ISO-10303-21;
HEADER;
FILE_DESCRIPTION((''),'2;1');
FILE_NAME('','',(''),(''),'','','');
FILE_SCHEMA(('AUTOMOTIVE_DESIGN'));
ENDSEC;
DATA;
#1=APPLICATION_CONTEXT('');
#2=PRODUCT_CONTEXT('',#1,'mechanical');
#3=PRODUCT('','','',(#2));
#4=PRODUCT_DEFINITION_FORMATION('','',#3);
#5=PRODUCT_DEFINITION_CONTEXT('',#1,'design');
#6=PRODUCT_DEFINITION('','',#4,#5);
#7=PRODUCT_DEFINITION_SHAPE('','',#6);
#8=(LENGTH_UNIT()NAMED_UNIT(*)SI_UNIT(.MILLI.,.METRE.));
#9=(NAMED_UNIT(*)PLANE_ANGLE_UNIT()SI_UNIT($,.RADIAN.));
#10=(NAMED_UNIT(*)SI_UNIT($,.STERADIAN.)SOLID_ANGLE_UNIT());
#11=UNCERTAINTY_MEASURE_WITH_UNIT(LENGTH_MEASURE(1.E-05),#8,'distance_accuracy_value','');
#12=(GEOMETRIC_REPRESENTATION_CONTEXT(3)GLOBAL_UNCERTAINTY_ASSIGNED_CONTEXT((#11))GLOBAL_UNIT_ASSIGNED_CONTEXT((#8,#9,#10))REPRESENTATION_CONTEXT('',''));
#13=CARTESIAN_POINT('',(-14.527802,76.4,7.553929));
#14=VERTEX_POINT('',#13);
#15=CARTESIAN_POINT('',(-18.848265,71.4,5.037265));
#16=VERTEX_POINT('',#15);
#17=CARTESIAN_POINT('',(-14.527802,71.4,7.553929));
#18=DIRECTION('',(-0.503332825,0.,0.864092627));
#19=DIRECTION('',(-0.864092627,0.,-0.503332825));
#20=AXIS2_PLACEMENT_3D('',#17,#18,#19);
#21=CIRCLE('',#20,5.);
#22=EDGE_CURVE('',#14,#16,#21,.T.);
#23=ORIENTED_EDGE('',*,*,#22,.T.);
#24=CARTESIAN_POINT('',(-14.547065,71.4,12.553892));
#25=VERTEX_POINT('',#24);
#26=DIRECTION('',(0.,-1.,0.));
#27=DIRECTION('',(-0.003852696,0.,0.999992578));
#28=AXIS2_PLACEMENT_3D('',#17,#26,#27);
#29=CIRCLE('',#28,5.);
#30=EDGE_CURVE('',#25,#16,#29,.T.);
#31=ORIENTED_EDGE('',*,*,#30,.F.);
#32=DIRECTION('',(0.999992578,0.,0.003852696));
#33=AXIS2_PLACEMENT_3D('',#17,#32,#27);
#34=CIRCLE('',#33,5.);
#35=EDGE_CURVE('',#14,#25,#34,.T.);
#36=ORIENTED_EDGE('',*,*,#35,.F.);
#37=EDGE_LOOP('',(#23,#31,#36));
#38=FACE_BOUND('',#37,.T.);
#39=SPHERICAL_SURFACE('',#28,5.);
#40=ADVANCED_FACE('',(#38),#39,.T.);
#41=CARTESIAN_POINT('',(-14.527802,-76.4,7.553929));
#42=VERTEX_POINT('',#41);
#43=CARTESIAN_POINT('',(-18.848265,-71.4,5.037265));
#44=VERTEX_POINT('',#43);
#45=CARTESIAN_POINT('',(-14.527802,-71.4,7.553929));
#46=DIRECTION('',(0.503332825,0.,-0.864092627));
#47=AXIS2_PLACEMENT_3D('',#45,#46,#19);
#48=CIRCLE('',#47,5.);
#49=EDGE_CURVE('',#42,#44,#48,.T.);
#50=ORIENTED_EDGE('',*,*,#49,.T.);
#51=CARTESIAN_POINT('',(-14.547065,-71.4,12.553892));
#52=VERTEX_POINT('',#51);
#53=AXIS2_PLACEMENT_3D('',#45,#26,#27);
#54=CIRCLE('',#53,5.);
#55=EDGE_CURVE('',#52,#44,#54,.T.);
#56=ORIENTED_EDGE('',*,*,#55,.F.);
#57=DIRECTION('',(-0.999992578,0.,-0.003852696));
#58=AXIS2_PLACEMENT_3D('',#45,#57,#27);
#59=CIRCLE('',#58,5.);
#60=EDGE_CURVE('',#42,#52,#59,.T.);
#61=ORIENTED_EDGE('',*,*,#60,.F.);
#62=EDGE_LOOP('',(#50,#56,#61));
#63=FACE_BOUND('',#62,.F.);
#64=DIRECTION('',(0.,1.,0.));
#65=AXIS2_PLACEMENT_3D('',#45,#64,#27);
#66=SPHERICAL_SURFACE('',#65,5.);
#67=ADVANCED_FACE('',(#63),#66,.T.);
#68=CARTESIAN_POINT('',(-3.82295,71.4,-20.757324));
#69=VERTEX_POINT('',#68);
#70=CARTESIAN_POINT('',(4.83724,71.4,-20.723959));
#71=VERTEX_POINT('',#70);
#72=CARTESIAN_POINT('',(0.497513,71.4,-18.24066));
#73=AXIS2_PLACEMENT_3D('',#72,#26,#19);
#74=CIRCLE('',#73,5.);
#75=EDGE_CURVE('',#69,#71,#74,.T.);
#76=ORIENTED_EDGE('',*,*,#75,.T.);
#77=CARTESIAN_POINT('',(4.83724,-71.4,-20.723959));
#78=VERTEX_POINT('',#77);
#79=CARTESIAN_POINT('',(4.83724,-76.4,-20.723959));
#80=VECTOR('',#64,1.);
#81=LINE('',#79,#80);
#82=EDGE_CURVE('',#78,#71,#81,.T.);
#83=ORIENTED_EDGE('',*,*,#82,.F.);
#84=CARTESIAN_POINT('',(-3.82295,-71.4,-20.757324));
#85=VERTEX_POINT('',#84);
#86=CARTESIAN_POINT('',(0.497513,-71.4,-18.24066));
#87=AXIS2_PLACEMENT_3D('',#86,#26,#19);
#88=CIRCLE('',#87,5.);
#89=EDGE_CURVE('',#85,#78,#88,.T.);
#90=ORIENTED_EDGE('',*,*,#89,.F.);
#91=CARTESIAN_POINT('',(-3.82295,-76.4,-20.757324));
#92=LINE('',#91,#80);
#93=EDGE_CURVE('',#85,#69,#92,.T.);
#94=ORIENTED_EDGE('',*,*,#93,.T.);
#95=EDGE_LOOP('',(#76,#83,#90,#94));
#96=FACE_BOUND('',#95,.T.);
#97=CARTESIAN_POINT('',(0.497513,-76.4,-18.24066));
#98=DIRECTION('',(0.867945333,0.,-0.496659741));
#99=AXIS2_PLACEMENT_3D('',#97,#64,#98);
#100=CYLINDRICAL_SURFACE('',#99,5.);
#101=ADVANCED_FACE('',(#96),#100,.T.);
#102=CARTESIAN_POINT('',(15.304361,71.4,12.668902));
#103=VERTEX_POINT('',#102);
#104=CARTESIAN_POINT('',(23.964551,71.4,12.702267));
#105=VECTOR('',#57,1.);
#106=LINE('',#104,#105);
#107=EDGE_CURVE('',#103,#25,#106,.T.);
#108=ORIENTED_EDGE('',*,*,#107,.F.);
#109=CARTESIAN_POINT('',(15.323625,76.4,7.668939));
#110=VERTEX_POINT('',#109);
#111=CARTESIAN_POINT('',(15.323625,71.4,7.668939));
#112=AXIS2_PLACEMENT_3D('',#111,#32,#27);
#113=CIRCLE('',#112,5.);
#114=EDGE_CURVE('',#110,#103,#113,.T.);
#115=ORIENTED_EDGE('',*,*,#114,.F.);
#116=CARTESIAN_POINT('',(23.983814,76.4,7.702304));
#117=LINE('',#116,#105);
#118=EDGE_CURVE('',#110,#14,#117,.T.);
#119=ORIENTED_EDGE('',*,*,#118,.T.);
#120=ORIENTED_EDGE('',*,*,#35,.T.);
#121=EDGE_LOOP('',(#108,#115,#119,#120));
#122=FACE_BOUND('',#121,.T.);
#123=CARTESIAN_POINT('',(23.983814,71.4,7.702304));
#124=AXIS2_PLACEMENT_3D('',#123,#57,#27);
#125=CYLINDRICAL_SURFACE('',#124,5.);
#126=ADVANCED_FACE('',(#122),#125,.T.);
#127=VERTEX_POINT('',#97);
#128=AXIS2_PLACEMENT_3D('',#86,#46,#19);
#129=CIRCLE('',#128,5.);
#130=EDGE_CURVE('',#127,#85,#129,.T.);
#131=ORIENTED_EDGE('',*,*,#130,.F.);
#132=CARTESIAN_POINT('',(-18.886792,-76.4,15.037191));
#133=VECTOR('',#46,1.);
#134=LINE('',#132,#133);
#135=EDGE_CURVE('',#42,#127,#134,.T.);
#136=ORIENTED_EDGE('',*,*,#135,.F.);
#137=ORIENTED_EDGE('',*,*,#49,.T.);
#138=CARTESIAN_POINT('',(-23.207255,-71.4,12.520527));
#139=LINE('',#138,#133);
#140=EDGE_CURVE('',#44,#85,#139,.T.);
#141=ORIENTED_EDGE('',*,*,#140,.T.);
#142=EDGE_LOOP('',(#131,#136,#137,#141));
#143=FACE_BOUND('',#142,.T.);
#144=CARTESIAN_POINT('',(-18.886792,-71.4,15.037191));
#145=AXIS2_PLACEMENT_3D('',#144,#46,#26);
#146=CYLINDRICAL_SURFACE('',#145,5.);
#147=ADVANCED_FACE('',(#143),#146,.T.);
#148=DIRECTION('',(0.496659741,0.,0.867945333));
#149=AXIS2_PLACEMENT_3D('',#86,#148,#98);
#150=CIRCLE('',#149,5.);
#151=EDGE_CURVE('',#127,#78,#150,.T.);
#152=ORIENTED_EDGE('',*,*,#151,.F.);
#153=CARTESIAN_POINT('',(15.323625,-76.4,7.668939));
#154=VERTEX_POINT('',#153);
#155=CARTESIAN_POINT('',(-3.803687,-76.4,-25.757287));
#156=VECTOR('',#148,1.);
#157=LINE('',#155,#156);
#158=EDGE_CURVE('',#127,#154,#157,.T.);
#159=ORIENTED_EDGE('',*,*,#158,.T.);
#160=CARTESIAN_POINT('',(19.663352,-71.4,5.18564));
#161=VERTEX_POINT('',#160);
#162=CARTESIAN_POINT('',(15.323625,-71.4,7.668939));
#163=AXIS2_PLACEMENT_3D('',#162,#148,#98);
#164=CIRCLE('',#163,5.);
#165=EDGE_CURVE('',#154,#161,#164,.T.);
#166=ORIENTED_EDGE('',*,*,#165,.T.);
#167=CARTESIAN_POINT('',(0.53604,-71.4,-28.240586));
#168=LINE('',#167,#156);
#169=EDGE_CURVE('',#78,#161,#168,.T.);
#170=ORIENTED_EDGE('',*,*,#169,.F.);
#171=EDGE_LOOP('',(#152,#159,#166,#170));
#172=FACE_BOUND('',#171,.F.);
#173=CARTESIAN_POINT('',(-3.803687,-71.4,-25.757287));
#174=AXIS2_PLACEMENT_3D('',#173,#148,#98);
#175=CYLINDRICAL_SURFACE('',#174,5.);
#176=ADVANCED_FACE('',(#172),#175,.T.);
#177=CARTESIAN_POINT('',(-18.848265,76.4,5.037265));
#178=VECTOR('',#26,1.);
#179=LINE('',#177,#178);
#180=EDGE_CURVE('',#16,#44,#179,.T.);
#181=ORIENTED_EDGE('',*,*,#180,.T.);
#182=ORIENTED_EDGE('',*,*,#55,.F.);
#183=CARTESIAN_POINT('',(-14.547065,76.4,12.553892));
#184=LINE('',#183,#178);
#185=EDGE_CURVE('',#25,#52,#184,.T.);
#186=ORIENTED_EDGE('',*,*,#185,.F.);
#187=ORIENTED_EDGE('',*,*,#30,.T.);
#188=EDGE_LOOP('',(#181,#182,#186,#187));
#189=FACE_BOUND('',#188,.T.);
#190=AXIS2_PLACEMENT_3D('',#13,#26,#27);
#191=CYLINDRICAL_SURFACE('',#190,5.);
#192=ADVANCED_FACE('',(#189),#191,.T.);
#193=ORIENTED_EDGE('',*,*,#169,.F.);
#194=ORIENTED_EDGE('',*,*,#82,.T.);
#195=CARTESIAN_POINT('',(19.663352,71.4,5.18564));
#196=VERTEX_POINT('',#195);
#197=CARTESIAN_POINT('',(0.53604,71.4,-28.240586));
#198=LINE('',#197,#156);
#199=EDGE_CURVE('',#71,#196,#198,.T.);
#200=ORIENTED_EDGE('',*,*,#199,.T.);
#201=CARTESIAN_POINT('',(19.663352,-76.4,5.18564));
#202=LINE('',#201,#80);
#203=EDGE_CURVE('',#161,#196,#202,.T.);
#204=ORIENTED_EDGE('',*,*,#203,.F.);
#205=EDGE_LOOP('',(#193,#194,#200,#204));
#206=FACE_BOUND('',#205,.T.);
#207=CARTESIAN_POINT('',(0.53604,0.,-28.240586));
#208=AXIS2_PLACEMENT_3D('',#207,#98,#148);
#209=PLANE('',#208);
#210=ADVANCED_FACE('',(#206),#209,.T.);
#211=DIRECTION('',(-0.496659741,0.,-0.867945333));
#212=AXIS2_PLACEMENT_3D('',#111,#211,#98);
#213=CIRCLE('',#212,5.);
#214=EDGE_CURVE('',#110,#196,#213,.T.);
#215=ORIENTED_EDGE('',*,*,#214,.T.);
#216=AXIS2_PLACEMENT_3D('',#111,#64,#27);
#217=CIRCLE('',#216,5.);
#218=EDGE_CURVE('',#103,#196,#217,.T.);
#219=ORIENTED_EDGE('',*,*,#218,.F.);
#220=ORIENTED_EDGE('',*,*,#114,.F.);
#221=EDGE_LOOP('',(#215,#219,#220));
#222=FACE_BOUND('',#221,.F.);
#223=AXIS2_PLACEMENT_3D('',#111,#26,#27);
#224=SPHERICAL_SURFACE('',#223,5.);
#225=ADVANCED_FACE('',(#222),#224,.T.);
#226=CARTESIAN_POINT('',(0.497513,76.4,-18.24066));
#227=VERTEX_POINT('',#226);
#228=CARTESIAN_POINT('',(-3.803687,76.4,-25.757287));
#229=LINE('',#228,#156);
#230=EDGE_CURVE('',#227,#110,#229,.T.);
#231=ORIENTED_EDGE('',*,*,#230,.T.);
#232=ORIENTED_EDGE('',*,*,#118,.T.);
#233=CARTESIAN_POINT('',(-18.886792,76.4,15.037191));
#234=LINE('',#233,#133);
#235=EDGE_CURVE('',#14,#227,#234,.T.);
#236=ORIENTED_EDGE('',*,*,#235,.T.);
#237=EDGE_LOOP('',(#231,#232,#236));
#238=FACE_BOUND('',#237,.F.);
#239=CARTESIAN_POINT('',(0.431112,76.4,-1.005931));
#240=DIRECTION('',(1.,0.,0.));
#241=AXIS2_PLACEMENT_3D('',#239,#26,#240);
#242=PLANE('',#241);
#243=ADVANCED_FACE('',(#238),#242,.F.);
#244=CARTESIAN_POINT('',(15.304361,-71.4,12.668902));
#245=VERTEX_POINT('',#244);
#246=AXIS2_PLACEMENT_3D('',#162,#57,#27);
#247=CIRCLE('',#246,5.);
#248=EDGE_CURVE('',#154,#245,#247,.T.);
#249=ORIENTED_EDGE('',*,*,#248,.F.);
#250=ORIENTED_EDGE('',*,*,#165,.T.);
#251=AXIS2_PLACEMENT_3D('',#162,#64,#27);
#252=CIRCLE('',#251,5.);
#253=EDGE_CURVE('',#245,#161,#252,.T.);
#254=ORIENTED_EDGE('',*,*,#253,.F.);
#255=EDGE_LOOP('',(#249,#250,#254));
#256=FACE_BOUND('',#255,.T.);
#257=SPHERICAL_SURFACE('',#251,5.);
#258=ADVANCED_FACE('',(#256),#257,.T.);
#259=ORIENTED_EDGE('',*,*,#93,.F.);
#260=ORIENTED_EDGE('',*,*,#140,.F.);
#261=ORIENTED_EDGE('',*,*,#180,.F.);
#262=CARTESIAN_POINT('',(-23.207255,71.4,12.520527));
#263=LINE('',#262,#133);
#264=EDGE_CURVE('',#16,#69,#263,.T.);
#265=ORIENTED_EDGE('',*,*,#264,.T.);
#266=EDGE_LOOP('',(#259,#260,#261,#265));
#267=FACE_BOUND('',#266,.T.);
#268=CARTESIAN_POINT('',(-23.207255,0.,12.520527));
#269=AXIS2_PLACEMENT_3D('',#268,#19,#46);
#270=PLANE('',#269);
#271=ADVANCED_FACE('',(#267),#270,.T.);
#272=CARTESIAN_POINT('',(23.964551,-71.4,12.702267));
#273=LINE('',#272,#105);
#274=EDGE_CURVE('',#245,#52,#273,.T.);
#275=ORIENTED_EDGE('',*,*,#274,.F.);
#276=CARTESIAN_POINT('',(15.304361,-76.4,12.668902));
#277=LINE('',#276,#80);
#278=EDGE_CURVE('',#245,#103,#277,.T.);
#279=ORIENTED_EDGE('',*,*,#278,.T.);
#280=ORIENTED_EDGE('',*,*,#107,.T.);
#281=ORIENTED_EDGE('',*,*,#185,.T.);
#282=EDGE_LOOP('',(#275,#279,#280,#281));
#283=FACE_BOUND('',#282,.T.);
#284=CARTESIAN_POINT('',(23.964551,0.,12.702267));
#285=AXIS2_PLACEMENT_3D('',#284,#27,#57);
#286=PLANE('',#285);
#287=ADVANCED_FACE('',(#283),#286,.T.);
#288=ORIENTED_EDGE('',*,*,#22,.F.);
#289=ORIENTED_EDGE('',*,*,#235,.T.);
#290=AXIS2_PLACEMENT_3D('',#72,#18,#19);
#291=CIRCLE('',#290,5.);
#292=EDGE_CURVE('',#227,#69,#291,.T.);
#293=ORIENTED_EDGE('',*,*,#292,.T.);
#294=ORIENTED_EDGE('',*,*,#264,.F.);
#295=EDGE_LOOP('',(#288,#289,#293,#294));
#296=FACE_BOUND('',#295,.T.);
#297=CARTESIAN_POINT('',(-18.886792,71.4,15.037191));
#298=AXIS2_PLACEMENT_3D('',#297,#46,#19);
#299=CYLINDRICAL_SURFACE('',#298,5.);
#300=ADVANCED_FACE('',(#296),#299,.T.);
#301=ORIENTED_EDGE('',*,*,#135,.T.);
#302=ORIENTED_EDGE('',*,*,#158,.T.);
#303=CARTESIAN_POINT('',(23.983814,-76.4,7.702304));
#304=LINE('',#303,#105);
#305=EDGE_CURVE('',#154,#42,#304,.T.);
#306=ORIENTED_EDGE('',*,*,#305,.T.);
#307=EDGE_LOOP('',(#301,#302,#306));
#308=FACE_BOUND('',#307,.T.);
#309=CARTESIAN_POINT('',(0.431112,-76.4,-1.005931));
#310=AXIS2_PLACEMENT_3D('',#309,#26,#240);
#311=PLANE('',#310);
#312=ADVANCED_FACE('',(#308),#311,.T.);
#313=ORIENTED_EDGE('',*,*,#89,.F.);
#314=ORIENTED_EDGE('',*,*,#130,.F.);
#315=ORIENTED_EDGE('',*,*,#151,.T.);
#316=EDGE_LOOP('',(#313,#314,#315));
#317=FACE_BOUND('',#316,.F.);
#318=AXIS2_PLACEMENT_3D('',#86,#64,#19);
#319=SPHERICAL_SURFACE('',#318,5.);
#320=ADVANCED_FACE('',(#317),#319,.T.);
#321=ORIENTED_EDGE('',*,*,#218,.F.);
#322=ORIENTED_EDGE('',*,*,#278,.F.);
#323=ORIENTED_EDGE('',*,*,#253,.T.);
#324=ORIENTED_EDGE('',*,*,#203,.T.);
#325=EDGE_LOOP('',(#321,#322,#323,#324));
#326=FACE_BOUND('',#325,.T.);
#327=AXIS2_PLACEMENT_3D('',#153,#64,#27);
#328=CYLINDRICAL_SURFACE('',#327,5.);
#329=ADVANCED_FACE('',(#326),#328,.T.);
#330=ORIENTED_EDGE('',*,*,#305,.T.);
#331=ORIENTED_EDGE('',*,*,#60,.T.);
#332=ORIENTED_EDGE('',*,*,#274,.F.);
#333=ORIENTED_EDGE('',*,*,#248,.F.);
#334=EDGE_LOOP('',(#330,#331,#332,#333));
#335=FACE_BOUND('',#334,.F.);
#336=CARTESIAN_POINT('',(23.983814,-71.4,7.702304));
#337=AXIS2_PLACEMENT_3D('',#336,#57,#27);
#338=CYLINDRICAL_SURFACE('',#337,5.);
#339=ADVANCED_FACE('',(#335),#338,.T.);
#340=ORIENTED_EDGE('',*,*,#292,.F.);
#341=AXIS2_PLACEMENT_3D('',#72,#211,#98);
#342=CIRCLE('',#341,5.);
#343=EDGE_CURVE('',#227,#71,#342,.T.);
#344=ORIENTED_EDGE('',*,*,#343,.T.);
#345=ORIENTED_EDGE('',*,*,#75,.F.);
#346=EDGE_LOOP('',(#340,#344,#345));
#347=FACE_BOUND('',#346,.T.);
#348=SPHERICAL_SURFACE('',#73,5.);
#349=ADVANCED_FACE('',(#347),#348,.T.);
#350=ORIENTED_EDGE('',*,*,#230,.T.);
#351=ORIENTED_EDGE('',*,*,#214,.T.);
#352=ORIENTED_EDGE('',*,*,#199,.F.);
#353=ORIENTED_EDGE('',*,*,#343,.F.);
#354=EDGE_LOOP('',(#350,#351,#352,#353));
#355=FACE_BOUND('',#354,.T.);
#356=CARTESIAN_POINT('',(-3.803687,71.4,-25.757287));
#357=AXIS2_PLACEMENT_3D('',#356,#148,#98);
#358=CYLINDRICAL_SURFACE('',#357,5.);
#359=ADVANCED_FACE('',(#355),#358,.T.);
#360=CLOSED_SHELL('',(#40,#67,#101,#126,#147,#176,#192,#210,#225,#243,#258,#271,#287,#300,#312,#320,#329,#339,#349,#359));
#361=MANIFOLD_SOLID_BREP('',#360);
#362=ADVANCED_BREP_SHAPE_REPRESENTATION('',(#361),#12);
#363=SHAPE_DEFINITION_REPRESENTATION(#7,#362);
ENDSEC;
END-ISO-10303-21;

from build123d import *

# Parameters (mm, degrees)
F1_DEPTH = 76.4
F2_R     = 5


with BuildPart() as f1:
    # F0 (on Front) → F1 (new body, symmetric)
    with BuildSketch(Plane.XZ):
        Polygon((23.964551, 12.702267), (-23.207255, 12.520527), (0.53604, -28.240586), align=None)
    extrude(amount=F1_DEPTH, both=True)

    # F2
    f2_edges = [f1.edges().sort_by_distance(p)[0] for p in [
        (0.378648, -76.4, 12.611397),
        (-11.335608, -76.4, -7.860029),
        (12.250295, -76.4, -7.769159),
        (0.378648, 76.4, 12.611397),
        (-11.335608, 76.4, -7.860029),
        (12.250295, 76.4, -7.769159),
        (-23.207255, 0, 12.520527),
        (0.53604, 0, -28.240586),
        (23.964551, 0, 12.702267),
    ]]
    fillet(f2_edges, radius=F2_R)


solid = f1.part
